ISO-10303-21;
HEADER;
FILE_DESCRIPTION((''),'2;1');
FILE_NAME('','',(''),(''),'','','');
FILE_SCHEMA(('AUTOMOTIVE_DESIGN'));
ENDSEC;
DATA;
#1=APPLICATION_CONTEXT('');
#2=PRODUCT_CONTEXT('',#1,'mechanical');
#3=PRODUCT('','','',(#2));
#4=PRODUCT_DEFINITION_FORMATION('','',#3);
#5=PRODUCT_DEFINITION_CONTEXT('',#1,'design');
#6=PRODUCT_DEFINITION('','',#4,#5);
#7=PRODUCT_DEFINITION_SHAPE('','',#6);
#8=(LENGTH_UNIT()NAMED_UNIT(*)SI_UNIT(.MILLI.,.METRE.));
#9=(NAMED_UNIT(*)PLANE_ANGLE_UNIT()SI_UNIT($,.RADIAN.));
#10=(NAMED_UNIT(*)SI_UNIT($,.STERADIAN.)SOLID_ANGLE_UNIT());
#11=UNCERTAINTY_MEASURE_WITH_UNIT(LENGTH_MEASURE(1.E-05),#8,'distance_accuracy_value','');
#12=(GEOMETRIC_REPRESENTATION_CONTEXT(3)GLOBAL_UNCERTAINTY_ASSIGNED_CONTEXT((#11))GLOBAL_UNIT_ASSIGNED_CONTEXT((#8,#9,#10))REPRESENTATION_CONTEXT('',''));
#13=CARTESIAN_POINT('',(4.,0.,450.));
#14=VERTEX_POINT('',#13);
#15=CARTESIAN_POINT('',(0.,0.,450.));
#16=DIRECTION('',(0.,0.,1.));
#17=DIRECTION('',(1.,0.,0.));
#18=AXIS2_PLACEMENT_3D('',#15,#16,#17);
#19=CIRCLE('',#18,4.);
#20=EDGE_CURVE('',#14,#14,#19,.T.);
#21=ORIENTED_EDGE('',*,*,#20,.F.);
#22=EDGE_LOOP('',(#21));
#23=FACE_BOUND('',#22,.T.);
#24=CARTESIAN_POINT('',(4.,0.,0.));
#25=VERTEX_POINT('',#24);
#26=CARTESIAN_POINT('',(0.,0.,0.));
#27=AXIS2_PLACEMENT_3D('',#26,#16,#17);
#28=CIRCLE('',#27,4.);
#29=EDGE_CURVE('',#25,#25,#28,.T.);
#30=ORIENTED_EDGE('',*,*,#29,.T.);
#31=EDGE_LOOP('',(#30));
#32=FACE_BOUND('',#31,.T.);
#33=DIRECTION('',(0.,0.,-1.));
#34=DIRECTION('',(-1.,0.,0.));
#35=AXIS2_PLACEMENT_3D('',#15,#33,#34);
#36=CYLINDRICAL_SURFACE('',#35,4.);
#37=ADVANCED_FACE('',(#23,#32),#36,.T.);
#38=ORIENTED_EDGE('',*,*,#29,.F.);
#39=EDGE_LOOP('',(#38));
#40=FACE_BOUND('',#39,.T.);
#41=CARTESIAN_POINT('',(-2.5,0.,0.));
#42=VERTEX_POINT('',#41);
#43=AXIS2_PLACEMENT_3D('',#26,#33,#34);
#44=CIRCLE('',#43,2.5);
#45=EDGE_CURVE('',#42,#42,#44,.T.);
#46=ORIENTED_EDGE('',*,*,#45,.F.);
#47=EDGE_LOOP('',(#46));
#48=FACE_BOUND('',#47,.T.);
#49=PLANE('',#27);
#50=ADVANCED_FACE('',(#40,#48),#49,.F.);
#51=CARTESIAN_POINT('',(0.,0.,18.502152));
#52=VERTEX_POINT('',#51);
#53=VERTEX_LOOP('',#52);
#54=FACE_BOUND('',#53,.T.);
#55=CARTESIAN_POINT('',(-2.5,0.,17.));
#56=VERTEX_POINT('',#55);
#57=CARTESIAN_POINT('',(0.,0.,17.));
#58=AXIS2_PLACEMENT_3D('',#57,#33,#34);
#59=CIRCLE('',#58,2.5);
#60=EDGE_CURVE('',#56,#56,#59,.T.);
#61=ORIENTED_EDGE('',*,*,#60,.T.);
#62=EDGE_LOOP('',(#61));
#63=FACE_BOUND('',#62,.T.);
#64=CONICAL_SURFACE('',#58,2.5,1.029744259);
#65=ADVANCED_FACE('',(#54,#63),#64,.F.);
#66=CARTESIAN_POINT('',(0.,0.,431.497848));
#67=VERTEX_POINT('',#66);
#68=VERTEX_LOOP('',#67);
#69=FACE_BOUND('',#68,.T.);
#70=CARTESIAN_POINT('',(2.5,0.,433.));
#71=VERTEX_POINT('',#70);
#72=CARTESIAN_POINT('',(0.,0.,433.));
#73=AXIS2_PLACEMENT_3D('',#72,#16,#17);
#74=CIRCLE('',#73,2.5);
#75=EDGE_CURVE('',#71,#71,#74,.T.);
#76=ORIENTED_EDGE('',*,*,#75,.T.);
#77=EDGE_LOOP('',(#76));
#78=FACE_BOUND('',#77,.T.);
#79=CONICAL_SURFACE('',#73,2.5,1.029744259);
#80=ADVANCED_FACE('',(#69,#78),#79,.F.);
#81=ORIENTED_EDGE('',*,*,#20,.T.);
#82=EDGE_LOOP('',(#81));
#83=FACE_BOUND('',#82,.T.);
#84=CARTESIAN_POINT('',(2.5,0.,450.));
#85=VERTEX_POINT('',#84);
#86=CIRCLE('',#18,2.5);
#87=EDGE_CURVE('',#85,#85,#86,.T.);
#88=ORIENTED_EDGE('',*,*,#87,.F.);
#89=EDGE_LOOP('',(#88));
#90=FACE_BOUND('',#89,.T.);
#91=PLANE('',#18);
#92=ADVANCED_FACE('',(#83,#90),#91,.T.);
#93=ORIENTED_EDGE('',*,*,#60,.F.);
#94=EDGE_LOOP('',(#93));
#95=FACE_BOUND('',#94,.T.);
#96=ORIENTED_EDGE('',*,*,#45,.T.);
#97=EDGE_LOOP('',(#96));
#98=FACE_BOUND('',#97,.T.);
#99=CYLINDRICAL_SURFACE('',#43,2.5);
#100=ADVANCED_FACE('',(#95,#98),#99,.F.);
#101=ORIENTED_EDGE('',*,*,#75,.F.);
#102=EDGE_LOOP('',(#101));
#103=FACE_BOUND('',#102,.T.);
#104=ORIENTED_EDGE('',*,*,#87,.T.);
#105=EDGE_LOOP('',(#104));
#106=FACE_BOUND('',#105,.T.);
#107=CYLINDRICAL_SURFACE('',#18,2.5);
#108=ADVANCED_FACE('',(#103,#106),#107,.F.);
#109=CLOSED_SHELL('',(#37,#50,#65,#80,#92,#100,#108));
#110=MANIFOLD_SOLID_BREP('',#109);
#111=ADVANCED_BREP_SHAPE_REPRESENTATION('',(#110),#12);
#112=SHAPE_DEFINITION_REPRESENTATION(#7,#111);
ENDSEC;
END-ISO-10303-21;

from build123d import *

# Parameters (mm, degrees)
CROQUIS1_R                    = 4
SALIENTE_EXTRUIR1_DEPTH       = 450
TALADRO_ROSCADO_M6X1_01_D     = 5
TALADRO_ROSCADO_M6X1_01_DEPTH = 17
TALADRO_ROSCADO_M6X1_01_TIP   = 1.502151548
TALADRO_ROSCADO_M6X1_02_D     = 5
TALADRO_ROSCADO_M6X1_02_DEPTH = 17
TALADRO_ROSCADO_M6X1_02_TIP   = 1.502151548


with BuildPart() as part:
    # Croquis1 → Saliente-Extruir1 (new body)
    with BuildSketch(Plane.XY):
        Circle(CROQUIS1_R)
    extrude(amount=SALIENTE_EXTRUIR1_DEPTH)

    # Taladro roscado M6x1.01
    with Locations(Plane.XY.offset(450)):
        with Locations((0, 0)):
            Hole(TALADRO_ROSCADO_M6X1_01_D / 2, depth=TALADRO_ROSCADO_M6X1_01_DEPTH)
            with Locations((0, 0, -(TALADRO_ROSCADO_M6X1_01_DEPTH + TALADRO_ROSCADO_M6X1_01_TIP / 2))):  # 118° drill point
                Cone(0, TALADRO_ROSCADO_M6X1_01_D / 2, TALADRO_ROSCADO_M6X1_01_TIP, mode=Mode.SUBTRACT)

    # Taladro roscado M6x1.02
    with Locations(Plane(origin=(0, 0, 0), x_dir=(-1, 0, 0), z_dir=(0, 0, -1))):
        with Locations((0, 0)):
            Hole(TALADRO_ROSCADO_M6X1_02_D / 2, depth=TALADRO_ROSCADO_M6X1_02_DEPTH)
            with Locations((0, 0, -(TALADRO_ROSCADO_M6X1_02_DEPTH + TALADRO_ROSCADO_M6X1_02_TIP / 2))):  # 118° drill point
                Cone(0, TALADRO_ROSCADO_M6X1_02_D / 2, TALADRO_ROSCADO_M6X1_02_TIP, mode=Mode.SUBTRACT)


solid = part.part
